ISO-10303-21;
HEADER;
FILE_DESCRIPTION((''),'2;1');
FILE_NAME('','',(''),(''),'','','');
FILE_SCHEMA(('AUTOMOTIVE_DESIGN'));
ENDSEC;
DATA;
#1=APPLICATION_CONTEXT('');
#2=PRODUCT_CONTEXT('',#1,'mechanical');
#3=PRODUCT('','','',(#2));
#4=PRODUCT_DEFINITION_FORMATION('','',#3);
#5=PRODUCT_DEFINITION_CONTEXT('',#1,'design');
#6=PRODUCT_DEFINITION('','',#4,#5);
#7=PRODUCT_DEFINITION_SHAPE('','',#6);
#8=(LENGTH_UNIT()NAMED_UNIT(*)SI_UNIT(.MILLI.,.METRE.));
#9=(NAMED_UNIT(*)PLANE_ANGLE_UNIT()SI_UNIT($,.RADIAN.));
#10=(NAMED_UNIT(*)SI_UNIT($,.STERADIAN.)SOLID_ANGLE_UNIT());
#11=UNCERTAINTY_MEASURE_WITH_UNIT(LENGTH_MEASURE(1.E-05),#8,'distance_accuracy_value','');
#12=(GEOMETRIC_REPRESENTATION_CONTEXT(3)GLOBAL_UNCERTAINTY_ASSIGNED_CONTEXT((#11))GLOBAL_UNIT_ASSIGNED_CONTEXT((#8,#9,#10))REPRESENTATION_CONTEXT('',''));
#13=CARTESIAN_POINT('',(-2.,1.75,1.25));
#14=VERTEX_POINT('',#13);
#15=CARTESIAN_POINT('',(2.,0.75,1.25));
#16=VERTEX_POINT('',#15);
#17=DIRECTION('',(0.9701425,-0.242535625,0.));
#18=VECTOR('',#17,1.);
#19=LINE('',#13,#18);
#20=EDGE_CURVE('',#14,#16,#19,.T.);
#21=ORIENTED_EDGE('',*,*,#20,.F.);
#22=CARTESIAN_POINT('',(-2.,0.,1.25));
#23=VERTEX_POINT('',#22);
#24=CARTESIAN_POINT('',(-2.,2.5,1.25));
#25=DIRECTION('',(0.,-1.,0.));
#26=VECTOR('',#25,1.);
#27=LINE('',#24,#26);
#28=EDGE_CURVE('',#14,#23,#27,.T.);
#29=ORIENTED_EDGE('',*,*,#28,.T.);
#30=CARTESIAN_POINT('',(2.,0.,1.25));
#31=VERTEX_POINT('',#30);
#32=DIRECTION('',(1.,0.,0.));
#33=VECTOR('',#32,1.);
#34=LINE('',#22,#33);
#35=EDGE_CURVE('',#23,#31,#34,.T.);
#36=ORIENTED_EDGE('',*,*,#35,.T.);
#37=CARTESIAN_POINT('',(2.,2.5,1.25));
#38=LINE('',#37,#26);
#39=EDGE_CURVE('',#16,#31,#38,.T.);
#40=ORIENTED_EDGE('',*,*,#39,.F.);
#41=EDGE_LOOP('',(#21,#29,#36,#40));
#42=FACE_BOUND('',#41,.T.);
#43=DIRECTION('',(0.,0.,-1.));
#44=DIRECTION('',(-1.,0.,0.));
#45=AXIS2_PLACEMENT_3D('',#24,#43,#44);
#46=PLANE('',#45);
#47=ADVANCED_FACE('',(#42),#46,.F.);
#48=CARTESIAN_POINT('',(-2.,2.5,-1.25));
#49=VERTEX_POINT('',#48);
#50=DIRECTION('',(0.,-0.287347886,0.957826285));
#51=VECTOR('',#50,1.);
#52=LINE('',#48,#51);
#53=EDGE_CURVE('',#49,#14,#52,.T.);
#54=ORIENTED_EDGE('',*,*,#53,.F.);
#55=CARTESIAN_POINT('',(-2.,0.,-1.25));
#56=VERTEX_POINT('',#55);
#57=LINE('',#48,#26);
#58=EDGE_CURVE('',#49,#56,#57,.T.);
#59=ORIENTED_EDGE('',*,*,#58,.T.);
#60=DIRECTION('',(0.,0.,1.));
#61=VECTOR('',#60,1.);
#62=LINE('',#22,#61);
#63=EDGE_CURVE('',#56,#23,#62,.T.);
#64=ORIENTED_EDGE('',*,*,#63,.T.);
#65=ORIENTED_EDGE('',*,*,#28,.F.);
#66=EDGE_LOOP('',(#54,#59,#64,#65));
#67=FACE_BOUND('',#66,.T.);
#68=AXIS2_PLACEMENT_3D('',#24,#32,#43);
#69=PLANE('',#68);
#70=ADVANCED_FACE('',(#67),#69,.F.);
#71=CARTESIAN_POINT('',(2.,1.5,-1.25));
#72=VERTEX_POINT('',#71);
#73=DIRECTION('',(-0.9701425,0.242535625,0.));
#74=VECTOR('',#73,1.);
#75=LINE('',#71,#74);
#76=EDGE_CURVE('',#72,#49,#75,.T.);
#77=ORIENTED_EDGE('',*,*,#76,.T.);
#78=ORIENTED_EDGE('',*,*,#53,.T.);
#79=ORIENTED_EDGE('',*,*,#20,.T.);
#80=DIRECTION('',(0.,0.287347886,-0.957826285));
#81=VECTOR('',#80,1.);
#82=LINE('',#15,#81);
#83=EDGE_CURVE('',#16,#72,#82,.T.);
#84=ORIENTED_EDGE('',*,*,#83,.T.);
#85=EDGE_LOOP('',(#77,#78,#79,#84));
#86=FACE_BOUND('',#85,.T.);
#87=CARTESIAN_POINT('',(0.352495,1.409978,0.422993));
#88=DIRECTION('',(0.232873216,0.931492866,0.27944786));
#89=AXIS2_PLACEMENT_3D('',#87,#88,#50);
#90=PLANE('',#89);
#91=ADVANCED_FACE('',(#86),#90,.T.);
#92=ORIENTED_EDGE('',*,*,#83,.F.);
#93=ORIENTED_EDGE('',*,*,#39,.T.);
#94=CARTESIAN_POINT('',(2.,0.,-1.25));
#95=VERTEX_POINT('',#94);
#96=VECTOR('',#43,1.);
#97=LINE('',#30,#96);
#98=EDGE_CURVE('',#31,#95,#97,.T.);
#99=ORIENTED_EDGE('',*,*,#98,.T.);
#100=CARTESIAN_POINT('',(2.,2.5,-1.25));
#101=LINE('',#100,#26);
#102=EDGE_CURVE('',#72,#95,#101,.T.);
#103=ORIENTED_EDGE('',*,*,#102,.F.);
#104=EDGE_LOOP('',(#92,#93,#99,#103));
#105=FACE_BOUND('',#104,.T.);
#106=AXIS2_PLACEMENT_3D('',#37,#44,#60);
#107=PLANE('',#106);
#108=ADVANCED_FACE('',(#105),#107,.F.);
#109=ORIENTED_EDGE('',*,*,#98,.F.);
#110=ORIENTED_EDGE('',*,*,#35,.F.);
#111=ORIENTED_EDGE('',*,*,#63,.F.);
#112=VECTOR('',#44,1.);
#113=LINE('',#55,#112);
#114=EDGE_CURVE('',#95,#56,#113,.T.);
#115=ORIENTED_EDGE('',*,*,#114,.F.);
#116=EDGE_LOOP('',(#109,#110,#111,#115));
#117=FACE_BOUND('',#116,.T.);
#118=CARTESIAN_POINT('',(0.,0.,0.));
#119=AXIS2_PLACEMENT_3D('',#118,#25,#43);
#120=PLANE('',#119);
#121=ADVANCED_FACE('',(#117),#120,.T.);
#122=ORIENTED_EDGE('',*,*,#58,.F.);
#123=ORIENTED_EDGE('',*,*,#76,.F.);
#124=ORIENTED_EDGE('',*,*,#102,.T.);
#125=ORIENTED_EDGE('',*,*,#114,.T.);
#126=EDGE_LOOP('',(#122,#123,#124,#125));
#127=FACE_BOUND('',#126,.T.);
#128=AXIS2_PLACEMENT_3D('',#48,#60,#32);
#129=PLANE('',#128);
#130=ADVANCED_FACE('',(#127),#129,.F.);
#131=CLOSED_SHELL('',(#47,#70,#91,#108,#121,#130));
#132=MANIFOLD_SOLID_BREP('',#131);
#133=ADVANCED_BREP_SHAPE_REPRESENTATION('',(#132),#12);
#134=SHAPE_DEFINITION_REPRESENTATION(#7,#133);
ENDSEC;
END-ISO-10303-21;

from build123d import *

# Parameters (mm, degrees)
SKETCH7_W           = 4
SKETCH7_H           = 2.5
BOSS_EXTRUDE4_DEPTH = 2.5
CUT_EXTRUDE1_DEPTH  = 2.5


with BuildPart() as part:
    # Sketch7 → Boss-Extrude4 (new body)
    with BuildSketch(Plane(origin=(0, 0, 0), x_dir=(1, 0, 0), z_dir=(0, 1, 0))):
        Rectangle(SKETCH7_W, SKETCH7_H)
    extrude(amount=BOSS_EXTRUDE4_DEPTH)

    # 3DSketch1 → Cut-Extrude1 (cut, along a direction that is not the sketch's normal)
    with BuildSketch(Plane(origin=(-2, 2.5, -1.25), x_dir=(0.7950463919999253, -0.3478327964999673, 0.4969039949999533), z_dir=(-0.23287321641631112, -0.9314928656652447, -0.2794478596995734))):
        Polygon((0, 0), (1.503134585, 2.133796246), (5.031152949, 0), (3.528018364, -2.133796246), align=None)
    extrude(amount=-CUT_EXTRUDE1_DEPTH, dir=(0, -1, 0), mode=Mode.SUBTRACT)


solid = part.part
